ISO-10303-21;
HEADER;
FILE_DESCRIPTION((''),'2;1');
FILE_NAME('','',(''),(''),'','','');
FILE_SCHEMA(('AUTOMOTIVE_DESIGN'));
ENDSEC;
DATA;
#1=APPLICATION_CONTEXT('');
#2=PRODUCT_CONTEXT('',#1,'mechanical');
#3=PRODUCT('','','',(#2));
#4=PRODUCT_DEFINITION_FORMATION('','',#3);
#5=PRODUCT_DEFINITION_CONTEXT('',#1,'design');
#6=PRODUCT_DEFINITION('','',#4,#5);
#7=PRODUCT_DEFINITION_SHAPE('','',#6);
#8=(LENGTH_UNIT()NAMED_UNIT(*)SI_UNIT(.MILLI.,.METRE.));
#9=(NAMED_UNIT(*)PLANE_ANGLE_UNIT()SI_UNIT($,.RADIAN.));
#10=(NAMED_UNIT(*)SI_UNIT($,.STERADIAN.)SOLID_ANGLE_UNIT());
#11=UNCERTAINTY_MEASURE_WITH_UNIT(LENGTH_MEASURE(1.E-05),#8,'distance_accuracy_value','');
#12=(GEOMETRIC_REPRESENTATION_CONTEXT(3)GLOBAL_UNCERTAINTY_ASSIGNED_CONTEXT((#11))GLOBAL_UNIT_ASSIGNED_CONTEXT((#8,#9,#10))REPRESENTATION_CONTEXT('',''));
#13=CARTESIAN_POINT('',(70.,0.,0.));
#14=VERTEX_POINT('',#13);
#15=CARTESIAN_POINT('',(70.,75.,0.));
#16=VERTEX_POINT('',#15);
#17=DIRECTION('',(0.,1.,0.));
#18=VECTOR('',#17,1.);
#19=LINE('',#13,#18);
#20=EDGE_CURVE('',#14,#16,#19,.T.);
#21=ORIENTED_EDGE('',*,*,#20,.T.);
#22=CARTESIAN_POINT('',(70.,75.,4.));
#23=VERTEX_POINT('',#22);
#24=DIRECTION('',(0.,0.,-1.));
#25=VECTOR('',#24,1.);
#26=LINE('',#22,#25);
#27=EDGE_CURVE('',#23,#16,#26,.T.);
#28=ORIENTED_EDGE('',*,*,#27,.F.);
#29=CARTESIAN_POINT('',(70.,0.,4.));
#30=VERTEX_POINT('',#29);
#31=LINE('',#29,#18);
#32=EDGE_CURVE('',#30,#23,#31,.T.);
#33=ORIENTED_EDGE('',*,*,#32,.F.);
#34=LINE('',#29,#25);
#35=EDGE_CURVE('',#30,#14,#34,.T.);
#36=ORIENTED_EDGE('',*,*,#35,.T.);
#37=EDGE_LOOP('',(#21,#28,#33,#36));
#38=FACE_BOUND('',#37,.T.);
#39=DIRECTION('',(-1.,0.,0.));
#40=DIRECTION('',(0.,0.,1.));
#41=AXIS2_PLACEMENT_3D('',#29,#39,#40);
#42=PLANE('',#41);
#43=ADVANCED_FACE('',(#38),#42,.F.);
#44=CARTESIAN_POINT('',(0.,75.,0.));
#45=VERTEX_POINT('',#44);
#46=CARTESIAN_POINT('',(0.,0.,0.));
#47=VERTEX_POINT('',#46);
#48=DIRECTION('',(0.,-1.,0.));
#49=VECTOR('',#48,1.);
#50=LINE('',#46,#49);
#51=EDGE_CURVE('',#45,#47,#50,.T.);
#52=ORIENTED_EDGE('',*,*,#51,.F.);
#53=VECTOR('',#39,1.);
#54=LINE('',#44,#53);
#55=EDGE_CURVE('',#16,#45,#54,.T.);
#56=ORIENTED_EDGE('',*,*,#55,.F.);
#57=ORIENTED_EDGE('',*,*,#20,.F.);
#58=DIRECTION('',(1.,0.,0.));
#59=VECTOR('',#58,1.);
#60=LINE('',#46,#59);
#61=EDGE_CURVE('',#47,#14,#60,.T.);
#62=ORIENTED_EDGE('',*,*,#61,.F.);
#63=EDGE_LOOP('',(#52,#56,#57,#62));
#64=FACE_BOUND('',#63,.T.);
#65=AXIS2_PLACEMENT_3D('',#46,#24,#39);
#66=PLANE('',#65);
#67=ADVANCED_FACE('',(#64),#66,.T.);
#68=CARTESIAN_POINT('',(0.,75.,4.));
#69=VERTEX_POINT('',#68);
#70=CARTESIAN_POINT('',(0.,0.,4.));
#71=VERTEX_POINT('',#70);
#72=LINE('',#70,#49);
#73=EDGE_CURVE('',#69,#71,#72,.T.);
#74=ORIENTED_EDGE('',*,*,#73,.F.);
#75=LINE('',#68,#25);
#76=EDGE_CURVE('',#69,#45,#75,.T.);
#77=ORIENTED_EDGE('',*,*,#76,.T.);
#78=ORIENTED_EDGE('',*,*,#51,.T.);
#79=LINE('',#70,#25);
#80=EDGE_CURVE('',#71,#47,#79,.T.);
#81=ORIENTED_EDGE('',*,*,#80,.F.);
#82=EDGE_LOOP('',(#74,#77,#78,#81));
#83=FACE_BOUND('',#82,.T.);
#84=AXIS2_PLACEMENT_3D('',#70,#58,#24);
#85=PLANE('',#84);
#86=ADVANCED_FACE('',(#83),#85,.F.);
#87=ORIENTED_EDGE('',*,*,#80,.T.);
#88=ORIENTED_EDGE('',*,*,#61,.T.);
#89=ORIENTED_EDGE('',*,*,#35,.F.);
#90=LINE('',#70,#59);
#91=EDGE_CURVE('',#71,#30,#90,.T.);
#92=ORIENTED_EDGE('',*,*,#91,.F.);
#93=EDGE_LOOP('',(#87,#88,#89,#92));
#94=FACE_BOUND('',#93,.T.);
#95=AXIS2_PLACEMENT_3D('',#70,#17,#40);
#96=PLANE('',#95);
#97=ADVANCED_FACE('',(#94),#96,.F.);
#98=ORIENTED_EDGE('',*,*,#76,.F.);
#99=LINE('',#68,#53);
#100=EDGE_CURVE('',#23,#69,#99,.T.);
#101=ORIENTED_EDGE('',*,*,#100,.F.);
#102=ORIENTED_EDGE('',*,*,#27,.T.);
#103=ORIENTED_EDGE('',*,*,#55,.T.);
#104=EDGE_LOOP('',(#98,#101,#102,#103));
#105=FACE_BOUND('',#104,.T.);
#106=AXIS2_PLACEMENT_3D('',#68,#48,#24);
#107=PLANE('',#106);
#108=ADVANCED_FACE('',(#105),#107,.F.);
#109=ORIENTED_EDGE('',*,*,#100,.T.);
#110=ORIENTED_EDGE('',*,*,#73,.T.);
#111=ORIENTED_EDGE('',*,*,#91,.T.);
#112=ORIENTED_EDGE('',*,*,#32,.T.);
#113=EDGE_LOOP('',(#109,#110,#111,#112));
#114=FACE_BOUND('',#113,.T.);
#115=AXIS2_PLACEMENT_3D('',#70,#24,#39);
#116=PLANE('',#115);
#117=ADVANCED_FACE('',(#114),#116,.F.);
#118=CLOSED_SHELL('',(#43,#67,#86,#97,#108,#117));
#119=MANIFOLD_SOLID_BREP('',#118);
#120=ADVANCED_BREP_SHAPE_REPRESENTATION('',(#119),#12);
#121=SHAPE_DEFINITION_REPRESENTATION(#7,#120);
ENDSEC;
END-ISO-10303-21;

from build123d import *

# Parameters (mm, degrees)
SKETCH1_W     = 70
SKETCH1_H     = 75
PROFILE_DEPTH = 4


with BuildPart() as part:
    # Sketch1 → Profile (new body)
    with BuildSketch(Plane.XY):
        with Locations((35, 37.5)):
            Rectangle(SKETCH1_W, SKETCH1_H)
    extrude(amount=PROFILE_DEPTH)


solid = part.part
